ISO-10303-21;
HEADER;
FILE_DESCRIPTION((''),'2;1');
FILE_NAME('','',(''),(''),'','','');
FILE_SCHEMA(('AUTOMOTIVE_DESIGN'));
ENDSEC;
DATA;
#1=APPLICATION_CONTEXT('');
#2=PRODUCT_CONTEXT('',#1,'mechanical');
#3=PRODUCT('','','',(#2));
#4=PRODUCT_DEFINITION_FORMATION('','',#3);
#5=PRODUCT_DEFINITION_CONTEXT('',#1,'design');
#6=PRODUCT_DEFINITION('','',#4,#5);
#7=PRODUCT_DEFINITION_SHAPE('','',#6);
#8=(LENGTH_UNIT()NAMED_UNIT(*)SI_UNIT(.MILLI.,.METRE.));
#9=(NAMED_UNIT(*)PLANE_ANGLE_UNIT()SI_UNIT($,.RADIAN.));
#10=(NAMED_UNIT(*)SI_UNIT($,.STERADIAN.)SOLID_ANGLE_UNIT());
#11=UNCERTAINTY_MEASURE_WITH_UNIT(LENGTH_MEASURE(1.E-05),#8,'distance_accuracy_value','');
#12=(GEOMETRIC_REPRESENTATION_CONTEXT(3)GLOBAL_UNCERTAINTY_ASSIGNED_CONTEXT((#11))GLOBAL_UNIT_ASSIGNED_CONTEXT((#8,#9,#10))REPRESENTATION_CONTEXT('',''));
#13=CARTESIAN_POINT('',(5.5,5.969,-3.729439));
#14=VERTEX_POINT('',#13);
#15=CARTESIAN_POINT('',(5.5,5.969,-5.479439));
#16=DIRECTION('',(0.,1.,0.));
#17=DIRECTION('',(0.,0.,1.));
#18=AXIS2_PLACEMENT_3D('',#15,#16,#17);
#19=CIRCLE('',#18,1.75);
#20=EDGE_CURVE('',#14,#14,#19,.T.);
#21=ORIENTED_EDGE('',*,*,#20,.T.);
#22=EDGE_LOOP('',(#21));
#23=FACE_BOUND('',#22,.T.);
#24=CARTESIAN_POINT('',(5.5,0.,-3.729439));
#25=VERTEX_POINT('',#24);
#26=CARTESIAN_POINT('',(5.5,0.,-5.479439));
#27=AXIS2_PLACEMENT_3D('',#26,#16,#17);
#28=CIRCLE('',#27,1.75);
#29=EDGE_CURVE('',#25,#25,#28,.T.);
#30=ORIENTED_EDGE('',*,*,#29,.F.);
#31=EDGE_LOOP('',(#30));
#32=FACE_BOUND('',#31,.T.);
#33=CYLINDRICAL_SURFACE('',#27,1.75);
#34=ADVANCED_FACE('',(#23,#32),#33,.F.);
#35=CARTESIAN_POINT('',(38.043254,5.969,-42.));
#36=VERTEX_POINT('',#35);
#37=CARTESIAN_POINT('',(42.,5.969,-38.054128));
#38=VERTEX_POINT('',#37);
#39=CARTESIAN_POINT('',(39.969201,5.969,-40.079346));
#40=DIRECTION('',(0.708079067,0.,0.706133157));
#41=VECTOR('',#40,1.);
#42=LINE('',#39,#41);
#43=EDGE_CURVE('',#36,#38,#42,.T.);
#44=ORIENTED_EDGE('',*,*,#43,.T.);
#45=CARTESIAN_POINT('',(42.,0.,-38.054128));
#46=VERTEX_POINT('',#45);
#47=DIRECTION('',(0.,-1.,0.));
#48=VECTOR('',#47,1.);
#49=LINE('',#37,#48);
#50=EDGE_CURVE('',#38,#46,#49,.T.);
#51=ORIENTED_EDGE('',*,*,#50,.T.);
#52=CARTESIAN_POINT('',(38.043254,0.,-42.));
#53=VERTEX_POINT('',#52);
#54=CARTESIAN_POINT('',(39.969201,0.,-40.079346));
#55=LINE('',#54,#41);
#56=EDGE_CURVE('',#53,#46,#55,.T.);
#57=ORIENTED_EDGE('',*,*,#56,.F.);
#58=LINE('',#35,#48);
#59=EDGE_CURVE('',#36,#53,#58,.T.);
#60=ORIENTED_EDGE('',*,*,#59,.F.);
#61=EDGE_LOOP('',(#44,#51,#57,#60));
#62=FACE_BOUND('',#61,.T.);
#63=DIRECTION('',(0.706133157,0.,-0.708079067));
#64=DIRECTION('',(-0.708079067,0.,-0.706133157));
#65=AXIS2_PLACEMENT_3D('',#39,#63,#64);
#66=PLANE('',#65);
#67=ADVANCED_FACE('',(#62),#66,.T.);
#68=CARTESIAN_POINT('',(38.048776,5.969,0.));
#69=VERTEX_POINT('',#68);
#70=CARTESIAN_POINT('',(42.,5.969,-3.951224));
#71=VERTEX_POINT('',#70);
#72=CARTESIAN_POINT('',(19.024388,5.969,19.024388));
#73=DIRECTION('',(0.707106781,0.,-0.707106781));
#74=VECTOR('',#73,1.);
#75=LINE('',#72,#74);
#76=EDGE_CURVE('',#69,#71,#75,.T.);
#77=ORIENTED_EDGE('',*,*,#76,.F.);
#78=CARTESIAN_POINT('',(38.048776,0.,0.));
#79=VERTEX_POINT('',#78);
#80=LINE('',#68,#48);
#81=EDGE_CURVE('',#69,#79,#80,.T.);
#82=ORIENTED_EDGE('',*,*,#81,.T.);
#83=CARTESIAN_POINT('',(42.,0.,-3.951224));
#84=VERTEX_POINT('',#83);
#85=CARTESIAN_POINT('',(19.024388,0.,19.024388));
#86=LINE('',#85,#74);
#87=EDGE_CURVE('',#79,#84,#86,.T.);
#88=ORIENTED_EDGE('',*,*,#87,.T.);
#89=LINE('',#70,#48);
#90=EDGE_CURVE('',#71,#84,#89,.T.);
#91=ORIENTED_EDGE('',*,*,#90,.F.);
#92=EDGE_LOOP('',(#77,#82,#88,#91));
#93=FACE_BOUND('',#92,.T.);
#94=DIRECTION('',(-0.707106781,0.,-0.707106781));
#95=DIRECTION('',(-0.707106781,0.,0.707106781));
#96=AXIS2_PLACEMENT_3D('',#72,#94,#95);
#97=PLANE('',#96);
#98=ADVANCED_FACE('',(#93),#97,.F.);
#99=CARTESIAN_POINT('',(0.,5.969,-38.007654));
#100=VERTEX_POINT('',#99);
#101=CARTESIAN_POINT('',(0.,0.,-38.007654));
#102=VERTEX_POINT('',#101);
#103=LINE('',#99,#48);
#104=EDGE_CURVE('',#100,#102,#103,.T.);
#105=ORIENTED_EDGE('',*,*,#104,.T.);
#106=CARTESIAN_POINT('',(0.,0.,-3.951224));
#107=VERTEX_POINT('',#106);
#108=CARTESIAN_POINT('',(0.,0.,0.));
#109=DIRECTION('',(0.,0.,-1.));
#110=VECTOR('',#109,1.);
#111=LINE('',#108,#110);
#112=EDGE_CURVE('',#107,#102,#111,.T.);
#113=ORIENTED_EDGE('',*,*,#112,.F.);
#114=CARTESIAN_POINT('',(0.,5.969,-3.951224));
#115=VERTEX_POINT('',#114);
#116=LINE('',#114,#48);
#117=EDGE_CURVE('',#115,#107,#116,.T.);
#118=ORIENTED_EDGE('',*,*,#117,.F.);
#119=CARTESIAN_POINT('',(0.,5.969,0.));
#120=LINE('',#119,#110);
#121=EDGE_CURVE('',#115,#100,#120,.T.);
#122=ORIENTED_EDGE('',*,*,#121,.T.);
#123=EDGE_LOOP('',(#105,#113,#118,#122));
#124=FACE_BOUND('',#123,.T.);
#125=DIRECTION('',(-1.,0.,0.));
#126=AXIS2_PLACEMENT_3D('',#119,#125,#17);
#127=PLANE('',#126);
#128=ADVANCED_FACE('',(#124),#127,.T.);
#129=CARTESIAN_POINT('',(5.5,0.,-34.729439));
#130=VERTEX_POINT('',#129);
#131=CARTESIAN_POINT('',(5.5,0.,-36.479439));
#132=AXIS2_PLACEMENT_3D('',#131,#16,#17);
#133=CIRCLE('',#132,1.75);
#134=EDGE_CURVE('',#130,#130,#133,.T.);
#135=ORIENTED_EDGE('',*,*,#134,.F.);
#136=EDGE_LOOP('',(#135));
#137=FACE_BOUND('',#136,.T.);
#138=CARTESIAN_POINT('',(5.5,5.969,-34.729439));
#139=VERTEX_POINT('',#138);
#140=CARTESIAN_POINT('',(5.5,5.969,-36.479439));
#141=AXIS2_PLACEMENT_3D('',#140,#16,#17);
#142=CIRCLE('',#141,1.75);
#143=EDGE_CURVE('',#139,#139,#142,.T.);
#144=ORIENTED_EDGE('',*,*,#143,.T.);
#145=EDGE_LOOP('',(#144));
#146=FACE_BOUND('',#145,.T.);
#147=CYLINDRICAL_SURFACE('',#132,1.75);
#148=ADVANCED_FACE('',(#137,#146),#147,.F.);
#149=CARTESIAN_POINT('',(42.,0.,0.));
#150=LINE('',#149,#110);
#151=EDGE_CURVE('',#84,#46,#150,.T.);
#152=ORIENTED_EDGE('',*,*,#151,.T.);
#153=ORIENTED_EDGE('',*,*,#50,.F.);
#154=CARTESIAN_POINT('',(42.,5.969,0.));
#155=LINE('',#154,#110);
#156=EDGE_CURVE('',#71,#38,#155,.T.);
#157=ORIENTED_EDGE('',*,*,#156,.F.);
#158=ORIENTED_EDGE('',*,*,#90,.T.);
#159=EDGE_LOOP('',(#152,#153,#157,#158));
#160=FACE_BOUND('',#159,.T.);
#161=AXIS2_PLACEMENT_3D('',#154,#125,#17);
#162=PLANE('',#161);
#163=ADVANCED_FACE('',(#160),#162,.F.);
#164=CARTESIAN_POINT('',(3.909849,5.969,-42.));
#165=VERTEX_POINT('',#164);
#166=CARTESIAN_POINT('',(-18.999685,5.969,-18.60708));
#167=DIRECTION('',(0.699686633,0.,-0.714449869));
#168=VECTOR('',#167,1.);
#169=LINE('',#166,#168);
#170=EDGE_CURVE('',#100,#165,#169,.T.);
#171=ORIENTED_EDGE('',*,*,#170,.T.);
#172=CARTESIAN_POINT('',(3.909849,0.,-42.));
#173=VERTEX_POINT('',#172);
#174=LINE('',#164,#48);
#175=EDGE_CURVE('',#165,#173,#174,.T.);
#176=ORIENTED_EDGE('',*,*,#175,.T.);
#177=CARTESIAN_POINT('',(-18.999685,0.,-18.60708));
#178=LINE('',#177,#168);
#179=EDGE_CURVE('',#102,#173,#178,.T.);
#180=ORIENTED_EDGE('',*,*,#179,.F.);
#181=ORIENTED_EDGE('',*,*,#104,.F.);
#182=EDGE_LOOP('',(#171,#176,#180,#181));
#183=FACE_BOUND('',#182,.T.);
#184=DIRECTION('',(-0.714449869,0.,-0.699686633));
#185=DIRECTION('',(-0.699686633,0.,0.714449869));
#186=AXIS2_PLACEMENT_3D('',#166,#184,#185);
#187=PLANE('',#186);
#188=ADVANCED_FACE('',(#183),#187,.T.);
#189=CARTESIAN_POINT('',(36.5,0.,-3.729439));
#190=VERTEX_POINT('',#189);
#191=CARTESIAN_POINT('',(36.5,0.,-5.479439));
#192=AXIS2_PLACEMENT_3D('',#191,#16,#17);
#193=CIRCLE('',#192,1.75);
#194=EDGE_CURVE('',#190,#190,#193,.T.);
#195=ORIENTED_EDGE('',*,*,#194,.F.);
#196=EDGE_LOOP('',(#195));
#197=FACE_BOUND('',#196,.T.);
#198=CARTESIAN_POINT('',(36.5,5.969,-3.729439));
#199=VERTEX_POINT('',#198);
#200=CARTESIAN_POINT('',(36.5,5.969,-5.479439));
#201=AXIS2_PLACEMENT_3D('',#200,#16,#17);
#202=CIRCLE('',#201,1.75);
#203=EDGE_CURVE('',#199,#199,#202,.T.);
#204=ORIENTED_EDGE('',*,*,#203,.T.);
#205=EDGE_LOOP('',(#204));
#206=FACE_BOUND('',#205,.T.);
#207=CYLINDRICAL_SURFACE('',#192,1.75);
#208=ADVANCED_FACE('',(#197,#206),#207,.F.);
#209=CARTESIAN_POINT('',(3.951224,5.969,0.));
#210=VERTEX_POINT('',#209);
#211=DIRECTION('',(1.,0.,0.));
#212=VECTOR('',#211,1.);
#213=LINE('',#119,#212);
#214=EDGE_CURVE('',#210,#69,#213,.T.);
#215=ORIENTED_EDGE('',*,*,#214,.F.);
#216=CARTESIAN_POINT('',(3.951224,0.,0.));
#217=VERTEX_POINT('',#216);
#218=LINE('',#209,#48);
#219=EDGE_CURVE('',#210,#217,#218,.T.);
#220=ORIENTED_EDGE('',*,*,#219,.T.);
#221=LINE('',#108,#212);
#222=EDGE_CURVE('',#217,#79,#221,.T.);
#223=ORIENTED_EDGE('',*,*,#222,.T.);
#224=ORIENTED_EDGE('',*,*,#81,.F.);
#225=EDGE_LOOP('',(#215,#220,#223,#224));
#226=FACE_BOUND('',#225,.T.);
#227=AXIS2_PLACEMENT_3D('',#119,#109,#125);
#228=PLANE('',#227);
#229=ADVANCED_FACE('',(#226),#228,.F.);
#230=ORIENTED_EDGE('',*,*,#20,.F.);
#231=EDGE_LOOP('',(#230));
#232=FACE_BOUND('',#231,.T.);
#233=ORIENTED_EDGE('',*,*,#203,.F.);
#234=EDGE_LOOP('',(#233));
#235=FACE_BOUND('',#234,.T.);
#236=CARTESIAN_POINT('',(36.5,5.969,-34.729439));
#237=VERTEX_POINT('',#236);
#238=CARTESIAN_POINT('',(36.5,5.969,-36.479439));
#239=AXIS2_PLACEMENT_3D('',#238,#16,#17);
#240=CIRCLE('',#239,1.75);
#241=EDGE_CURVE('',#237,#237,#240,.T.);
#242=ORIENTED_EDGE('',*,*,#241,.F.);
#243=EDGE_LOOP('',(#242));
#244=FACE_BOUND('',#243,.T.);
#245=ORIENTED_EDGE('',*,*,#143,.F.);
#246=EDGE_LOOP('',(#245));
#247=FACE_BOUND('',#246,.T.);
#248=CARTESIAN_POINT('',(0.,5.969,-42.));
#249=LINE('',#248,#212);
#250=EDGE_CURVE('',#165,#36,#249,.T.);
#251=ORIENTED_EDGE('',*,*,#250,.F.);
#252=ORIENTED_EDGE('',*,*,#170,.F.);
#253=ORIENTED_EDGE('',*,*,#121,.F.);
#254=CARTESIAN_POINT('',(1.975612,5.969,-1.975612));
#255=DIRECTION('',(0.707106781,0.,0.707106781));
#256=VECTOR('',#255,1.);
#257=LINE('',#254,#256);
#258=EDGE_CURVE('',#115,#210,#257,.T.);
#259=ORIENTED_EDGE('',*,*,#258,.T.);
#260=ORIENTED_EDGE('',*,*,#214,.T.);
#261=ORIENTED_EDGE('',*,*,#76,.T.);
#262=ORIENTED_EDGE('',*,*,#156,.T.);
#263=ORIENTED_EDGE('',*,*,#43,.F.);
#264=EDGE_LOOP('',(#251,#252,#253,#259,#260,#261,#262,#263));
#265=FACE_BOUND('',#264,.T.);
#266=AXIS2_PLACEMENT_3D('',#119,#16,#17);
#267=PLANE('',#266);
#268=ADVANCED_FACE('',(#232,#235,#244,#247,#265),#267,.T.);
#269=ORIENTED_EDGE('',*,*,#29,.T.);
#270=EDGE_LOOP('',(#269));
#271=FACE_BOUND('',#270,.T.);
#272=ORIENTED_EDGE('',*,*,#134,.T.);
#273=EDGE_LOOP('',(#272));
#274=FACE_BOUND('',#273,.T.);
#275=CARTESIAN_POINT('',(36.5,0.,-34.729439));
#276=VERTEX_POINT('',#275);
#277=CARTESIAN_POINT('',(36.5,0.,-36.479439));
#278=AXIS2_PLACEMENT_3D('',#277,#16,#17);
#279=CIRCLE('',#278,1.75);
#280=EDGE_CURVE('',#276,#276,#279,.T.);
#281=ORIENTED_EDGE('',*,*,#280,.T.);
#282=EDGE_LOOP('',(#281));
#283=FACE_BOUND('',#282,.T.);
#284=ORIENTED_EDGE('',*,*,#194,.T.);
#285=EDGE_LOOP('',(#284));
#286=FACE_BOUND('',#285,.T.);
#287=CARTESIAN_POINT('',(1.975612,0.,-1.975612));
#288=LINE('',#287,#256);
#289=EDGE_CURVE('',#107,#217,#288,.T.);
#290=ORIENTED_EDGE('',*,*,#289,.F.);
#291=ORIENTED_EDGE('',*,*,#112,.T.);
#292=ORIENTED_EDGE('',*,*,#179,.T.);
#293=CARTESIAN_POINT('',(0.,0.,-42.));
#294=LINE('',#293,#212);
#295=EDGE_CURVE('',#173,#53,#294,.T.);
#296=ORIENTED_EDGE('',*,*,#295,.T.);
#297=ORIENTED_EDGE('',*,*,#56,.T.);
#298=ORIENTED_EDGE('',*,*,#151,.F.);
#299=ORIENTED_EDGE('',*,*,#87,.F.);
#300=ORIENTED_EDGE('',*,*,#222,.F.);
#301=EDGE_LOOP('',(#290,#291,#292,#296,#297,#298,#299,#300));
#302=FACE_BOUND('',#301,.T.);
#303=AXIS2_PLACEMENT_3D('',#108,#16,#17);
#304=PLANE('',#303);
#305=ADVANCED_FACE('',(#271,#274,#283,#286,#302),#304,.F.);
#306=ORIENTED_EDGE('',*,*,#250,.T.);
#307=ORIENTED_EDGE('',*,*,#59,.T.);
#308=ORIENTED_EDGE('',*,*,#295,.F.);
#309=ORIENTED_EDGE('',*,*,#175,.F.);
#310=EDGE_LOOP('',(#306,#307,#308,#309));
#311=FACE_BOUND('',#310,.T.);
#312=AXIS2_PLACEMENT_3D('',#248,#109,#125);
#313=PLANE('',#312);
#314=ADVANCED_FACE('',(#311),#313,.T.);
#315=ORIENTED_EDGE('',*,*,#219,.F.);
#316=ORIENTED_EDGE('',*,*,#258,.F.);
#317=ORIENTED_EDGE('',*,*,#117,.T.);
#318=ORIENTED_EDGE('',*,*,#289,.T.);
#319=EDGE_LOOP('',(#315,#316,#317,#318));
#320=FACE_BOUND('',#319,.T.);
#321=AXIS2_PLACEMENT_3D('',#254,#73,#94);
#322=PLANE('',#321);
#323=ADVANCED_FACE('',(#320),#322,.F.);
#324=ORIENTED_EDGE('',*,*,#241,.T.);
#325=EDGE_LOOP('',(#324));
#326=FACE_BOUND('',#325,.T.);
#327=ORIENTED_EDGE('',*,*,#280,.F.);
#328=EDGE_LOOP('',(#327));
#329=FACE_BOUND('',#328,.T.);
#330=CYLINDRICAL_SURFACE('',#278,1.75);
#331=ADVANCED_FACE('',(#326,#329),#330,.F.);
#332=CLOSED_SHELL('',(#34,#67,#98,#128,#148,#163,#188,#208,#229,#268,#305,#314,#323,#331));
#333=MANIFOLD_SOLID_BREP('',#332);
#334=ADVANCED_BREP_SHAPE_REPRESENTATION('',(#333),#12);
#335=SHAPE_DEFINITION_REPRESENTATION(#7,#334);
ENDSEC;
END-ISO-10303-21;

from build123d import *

# Parameters (mm, degrees)
BOSS_EXTRUDE1_DEPTH = 5.969
SKETCH2_R           = 1.75
SKETCH2_R_2         = 1.750000056
CUT_EXTRUDE1_DEPTH  = 5.969


with BuildPart() as part:
    # Sketch1 → Boss-Extrude1 (new body)
    with BuildSketch(Plane(origin=(0, 0, 0), x_dir=(1, 0, 0), z_dir=(0, 1, 0))):
        Polygon((3.909848904, 42), (0, 38.007654129), (0, 3.951224), (3.951224, 0), (38.048776, 0), (42, 3.951224), (42, 38.054127921), (38.043254173, 42), align=None)
    extrude(amount=BOSS_EXTRUDE1_DEPTH)

    # Sketch2 → Cut-Extrude1 (cut)
    with BuildSketch(Plane(origin=(0, 5.969, 0), x_dir=(1, 0, 0), z_dir=(0, 1, 0))):
        with Locations(Location((5.5, 36.479439065, 0), (0, 0, 270))):
            Circle(SKETCH2_R)
        with Locations(Location((36.5, 36.479439065, 0), (0, 0, 270))):
            Circle(SKETCH2_R_2)
        with Locations(Location((36.5, 5.479439065, 0), (0, 0, 270))):
            Circle(SKETCH2_R_2)
        with Locations(Location((5.5, 5.479439065, 0), (0, 0, 270))):
            Circle(SKETCH2_R_2)
    extrude(amount=-CUT_EXTRUDE1_DEPTH, mode=Mode.SUBTRACT)


solid = part.part
